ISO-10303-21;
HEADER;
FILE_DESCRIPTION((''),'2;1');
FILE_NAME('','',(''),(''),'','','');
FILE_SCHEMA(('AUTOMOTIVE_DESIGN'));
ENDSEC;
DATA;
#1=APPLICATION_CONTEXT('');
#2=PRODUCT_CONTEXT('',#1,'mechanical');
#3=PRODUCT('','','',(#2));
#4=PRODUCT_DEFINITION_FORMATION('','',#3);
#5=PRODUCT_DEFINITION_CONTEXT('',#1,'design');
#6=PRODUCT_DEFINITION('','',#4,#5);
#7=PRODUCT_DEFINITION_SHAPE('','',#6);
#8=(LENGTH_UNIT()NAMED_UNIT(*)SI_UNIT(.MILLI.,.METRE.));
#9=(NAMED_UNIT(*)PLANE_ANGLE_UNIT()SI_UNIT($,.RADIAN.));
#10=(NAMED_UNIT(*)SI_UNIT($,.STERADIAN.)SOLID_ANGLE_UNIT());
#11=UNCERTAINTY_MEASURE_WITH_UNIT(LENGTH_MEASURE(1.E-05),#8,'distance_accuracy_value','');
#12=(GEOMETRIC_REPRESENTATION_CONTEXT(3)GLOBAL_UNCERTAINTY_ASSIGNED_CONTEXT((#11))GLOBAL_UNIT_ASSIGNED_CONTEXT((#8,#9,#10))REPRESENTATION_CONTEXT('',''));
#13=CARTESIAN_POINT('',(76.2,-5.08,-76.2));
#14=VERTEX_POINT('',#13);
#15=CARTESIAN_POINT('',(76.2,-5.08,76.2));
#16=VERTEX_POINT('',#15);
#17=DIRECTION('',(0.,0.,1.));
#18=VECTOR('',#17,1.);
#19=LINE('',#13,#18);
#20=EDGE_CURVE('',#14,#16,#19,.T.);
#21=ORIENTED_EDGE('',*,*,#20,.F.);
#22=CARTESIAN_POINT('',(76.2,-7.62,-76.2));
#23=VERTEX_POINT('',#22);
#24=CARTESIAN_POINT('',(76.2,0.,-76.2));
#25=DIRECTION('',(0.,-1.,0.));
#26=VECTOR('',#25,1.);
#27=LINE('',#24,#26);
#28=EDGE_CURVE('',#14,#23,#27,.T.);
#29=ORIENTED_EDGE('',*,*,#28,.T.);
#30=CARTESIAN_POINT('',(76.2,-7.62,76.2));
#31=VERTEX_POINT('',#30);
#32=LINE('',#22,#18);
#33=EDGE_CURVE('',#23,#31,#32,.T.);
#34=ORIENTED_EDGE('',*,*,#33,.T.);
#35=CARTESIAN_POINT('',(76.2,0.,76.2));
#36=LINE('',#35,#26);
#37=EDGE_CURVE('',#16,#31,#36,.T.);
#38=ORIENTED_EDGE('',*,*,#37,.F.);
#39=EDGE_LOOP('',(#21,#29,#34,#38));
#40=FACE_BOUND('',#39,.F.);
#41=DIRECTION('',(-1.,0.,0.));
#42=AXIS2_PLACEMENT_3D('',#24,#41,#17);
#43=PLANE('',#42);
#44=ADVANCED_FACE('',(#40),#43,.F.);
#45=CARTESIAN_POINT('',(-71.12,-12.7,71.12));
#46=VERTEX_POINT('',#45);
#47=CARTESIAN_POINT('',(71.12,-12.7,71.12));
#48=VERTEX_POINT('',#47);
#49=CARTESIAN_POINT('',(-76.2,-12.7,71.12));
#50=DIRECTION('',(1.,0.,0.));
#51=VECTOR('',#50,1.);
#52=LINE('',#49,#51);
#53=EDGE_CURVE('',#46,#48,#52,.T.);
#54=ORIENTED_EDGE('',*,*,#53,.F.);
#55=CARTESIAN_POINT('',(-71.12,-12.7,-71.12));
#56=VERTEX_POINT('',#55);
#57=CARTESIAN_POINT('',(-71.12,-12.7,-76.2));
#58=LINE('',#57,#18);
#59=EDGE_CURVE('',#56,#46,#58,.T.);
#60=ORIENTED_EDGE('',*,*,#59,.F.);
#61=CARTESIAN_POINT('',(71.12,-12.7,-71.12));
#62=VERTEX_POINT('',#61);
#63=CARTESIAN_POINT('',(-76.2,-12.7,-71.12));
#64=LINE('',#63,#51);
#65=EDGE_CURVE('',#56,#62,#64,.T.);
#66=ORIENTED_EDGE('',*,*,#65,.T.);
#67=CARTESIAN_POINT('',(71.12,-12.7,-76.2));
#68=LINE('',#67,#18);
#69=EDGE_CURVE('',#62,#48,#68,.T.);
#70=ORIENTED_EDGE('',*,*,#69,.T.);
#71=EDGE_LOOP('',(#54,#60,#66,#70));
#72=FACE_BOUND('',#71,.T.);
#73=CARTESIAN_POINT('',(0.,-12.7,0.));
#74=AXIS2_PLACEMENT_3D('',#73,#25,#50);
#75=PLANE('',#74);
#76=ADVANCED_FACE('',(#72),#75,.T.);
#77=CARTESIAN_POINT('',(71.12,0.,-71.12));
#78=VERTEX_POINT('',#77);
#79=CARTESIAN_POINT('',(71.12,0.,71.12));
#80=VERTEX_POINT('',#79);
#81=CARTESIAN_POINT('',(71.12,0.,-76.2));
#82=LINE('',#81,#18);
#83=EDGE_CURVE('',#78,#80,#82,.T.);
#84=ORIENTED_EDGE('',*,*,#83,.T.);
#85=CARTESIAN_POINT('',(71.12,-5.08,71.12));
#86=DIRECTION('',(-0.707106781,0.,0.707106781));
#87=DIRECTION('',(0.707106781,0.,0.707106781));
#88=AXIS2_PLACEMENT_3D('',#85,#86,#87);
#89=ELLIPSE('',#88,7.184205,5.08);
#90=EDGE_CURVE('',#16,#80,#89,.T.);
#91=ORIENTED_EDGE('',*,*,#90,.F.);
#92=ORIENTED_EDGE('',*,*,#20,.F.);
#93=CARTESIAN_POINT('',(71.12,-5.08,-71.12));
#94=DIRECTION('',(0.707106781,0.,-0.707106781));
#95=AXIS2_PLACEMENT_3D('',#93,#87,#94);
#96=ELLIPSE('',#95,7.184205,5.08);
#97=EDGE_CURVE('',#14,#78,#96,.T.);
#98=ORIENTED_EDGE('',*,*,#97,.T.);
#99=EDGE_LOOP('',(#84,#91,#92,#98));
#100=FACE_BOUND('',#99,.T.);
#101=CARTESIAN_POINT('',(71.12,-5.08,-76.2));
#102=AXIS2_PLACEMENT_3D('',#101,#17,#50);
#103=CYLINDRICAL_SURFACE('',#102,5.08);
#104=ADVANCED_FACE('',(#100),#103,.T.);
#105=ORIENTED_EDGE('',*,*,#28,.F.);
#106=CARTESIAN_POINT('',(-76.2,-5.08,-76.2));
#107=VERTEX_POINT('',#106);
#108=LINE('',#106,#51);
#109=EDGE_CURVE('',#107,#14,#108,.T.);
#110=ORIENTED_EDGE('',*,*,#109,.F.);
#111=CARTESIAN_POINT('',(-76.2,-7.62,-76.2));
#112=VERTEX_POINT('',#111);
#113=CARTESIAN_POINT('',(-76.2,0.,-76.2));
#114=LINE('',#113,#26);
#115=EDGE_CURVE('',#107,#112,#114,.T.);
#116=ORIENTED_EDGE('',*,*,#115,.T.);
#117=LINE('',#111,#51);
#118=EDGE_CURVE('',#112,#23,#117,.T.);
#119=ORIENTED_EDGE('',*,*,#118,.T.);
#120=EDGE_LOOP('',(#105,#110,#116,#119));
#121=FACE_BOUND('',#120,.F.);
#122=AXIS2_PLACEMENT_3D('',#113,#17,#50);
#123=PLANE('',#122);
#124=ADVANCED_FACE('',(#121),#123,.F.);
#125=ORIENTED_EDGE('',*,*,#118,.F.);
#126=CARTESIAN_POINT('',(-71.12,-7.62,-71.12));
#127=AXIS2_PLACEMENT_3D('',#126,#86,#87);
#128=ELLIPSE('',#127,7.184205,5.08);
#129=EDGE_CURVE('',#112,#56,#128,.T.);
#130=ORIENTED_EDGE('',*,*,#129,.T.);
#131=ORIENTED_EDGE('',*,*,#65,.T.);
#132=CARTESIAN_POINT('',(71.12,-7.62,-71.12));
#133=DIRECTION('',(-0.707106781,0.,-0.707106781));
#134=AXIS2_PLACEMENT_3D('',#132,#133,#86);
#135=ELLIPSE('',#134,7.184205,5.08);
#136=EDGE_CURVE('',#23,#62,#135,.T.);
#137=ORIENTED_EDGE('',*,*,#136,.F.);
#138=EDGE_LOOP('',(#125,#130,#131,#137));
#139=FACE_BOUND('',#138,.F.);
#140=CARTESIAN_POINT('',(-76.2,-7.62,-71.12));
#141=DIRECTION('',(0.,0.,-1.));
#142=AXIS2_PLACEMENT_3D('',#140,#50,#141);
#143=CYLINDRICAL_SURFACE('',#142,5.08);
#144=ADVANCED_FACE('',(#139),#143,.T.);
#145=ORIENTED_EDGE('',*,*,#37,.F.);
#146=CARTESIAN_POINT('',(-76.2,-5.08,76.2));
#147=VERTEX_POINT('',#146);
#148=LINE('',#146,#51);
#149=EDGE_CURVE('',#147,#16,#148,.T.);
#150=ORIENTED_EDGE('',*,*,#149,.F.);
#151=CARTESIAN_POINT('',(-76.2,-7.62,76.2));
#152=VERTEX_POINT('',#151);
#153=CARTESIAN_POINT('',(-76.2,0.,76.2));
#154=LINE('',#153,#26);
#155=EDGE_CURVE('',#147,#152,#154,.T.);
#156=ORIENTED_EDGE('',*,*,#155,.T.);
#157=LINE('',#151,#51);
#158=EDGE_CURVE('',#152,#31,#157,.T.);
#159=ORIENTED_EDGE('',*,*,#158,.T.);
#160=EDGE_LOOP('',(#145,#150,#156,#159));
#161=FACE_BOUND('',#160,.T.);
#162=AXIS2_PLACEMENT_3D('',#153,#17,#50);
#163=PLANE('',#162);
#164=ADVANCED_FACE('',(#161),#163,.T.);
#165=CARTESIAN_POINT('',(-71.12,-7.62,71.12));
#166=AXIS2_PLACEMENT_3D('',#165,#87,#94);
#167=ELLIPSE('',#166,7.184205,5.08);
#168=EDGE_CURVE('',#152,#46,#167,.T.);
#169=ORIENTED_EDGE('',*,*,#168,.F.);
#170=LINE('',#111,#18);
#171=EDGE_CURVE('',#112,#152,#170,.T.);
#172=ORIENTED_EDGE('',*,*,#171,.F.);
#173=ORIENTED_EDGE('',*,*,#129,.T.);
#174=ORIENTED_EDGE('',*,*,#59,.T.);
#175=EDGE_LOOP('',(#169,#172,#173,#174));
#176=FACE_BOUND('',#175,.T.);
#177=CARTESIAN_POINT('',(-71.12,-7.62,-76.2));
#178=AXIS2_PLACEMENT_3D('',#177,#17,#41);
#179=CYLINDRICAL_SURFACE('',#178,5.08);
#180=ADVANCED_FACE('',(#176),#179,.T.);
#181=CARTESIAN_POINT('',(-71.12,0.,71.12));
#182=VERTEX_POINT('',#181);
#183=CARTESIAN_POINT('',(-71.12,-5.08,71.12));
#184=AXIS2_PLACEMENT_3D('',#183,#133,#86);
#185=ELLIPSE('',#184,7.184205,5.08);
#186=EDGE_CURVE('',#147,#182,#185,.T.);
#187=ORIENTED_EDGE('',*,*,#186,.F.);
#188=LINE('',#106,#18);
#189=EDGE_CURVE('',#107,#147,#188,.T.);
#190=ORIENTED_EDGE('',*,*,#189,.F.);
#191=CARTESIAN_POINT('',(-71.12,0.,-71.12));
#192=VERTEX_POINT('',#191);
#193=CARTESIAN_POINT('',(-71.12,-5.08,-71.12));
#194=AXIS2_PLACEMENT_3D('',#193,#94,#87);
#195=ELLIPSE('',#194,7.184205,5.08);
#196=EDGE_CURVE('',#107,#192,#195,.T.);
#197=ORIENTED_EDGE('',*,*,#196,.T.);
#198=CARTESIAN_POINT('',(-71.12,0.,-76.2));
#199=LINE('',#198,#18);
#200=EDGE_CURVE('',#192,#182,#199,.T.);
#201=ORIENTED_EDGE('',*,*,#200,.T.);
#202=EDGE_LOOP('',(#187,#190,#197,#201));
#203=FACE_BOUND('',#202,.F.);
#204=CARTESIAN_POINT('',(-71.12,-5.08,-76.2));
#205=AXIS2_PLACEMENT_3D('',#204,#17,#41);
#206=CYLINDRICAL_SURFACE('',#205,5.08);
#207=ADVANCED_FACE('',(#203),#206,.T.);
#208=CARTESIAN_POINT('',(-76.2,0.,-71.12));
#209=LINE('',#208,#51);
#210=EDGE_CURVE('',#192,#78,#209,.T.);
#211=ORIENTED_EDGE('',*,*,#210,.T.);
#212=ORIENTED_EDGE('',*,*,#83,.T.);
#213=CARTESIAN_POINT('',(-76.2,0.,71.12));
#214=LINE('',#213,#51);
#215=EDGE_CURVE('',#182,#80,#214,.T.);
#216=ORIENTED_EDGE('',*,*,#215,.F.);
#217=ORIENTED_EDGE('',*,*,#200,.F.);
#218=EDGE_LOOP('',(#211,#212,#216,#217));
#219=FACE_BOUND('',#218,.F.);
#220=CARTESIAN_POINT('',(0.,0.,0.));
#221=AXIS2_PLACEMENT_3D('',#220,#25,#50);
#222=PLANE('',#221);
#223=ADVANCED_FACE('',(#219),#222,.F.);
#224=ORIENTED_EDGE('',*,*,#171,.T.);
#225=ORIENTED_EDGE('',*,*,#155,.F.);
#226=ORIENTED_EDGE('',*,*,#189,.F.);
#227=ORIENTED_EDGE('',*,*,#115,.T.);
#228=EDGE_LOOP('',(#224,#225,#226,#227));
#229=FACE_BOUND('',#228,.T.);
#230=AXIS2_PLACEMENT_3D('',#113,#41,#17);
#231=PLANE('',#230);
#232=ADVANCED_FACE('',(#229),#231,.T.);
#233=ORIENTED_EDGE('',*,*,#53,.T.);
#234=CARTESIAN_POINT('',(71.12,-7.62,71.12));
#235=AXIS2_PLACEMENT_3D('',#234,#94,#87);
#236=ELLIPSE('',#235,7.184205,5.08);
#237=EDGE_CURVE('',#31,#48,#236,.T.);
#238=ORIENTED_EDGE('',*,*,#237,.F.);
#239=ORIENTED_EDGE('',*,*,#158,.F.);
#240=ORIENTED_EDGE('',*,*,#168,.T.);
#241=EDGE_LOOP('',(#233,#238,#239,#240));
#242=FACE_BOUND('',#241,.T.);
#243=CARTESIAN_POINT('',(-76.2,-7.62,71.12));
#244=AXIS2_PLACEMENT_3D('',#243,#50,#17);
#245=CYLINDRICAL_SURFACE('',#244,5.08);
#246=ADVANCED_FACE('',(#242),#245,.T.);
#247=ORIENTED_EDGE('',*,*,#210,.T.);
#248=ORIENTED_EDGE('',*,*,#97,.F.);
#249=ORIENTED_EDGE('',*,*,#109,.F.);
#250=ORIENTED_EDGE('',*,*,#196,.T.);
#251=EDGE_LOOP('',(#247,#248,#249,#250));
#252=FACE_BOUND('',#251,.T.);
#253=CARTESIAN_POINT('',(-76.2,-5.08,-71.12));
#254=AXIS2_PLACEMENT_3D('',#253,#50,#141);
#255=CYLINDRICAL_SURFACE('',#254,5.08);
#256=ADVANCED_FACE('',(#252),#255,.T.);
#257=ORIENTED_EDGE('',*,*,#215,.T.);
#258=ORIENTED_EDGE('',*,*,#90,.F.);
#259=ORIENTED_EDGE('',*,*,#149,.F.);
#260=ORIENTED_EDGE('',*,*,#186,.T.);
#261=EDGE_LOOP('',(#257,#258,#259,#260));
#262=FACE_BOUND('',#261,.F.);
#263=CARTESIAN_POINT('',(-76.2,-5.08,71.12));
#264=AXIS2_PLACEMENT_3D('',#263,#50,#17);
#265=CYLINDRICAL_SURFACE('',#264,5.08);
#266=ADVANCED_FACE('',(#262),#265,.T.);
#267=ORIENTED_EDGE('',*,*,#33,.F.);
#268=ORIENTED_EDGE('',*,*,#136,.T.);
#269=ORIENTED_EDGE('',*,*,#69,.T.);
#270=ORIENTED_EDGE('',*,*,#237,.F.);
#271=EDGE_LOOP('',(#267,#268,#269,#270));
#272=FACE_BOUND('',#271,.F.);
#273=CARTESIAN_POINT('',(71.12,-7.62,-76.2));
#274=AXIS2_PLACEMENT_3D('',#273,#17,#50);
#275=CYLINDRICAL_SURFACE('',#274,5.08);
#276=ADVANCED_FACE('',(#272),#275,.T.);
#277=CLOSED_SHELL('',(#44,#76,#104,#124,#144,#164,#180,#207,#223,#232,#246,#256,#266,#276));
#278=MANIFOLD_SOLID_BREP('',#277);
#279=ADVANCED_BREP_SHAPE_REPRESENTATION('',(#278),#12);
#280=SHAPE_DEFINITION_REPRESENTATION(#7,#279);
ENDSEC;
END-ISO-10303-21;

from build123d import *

# Parameters (mm, degrees)
F0_W     = 152.4
F0_H     = 152.4
F1_DEPTH = 12.7
F2_R     = 5.08


with BuildPart() as f1:
    # F0 (on Front) → F1 (new body)
    with BuildSketch(Plane.XZ):
        Rectangle(F0_W, F0_H)
    extrude(amount=F1_DEPTH)

    # F2
    f2_edges = [f1.edges().sort_by_distance(p)[0] for p in [
        (76.2, -12.7, 0),
        (0, -12.7, 76.2),
        (-76.2, 0, 0),
        (0, -12.7, -76.2),
        (-76.2, -12.7, 0),
        (0, 0, -76.2),
        (76.2, 0, 0),
        (0, 0, 76.2),
    ]]
    fillet(f2_edges, radius=F2_R)


solid = f1.part
